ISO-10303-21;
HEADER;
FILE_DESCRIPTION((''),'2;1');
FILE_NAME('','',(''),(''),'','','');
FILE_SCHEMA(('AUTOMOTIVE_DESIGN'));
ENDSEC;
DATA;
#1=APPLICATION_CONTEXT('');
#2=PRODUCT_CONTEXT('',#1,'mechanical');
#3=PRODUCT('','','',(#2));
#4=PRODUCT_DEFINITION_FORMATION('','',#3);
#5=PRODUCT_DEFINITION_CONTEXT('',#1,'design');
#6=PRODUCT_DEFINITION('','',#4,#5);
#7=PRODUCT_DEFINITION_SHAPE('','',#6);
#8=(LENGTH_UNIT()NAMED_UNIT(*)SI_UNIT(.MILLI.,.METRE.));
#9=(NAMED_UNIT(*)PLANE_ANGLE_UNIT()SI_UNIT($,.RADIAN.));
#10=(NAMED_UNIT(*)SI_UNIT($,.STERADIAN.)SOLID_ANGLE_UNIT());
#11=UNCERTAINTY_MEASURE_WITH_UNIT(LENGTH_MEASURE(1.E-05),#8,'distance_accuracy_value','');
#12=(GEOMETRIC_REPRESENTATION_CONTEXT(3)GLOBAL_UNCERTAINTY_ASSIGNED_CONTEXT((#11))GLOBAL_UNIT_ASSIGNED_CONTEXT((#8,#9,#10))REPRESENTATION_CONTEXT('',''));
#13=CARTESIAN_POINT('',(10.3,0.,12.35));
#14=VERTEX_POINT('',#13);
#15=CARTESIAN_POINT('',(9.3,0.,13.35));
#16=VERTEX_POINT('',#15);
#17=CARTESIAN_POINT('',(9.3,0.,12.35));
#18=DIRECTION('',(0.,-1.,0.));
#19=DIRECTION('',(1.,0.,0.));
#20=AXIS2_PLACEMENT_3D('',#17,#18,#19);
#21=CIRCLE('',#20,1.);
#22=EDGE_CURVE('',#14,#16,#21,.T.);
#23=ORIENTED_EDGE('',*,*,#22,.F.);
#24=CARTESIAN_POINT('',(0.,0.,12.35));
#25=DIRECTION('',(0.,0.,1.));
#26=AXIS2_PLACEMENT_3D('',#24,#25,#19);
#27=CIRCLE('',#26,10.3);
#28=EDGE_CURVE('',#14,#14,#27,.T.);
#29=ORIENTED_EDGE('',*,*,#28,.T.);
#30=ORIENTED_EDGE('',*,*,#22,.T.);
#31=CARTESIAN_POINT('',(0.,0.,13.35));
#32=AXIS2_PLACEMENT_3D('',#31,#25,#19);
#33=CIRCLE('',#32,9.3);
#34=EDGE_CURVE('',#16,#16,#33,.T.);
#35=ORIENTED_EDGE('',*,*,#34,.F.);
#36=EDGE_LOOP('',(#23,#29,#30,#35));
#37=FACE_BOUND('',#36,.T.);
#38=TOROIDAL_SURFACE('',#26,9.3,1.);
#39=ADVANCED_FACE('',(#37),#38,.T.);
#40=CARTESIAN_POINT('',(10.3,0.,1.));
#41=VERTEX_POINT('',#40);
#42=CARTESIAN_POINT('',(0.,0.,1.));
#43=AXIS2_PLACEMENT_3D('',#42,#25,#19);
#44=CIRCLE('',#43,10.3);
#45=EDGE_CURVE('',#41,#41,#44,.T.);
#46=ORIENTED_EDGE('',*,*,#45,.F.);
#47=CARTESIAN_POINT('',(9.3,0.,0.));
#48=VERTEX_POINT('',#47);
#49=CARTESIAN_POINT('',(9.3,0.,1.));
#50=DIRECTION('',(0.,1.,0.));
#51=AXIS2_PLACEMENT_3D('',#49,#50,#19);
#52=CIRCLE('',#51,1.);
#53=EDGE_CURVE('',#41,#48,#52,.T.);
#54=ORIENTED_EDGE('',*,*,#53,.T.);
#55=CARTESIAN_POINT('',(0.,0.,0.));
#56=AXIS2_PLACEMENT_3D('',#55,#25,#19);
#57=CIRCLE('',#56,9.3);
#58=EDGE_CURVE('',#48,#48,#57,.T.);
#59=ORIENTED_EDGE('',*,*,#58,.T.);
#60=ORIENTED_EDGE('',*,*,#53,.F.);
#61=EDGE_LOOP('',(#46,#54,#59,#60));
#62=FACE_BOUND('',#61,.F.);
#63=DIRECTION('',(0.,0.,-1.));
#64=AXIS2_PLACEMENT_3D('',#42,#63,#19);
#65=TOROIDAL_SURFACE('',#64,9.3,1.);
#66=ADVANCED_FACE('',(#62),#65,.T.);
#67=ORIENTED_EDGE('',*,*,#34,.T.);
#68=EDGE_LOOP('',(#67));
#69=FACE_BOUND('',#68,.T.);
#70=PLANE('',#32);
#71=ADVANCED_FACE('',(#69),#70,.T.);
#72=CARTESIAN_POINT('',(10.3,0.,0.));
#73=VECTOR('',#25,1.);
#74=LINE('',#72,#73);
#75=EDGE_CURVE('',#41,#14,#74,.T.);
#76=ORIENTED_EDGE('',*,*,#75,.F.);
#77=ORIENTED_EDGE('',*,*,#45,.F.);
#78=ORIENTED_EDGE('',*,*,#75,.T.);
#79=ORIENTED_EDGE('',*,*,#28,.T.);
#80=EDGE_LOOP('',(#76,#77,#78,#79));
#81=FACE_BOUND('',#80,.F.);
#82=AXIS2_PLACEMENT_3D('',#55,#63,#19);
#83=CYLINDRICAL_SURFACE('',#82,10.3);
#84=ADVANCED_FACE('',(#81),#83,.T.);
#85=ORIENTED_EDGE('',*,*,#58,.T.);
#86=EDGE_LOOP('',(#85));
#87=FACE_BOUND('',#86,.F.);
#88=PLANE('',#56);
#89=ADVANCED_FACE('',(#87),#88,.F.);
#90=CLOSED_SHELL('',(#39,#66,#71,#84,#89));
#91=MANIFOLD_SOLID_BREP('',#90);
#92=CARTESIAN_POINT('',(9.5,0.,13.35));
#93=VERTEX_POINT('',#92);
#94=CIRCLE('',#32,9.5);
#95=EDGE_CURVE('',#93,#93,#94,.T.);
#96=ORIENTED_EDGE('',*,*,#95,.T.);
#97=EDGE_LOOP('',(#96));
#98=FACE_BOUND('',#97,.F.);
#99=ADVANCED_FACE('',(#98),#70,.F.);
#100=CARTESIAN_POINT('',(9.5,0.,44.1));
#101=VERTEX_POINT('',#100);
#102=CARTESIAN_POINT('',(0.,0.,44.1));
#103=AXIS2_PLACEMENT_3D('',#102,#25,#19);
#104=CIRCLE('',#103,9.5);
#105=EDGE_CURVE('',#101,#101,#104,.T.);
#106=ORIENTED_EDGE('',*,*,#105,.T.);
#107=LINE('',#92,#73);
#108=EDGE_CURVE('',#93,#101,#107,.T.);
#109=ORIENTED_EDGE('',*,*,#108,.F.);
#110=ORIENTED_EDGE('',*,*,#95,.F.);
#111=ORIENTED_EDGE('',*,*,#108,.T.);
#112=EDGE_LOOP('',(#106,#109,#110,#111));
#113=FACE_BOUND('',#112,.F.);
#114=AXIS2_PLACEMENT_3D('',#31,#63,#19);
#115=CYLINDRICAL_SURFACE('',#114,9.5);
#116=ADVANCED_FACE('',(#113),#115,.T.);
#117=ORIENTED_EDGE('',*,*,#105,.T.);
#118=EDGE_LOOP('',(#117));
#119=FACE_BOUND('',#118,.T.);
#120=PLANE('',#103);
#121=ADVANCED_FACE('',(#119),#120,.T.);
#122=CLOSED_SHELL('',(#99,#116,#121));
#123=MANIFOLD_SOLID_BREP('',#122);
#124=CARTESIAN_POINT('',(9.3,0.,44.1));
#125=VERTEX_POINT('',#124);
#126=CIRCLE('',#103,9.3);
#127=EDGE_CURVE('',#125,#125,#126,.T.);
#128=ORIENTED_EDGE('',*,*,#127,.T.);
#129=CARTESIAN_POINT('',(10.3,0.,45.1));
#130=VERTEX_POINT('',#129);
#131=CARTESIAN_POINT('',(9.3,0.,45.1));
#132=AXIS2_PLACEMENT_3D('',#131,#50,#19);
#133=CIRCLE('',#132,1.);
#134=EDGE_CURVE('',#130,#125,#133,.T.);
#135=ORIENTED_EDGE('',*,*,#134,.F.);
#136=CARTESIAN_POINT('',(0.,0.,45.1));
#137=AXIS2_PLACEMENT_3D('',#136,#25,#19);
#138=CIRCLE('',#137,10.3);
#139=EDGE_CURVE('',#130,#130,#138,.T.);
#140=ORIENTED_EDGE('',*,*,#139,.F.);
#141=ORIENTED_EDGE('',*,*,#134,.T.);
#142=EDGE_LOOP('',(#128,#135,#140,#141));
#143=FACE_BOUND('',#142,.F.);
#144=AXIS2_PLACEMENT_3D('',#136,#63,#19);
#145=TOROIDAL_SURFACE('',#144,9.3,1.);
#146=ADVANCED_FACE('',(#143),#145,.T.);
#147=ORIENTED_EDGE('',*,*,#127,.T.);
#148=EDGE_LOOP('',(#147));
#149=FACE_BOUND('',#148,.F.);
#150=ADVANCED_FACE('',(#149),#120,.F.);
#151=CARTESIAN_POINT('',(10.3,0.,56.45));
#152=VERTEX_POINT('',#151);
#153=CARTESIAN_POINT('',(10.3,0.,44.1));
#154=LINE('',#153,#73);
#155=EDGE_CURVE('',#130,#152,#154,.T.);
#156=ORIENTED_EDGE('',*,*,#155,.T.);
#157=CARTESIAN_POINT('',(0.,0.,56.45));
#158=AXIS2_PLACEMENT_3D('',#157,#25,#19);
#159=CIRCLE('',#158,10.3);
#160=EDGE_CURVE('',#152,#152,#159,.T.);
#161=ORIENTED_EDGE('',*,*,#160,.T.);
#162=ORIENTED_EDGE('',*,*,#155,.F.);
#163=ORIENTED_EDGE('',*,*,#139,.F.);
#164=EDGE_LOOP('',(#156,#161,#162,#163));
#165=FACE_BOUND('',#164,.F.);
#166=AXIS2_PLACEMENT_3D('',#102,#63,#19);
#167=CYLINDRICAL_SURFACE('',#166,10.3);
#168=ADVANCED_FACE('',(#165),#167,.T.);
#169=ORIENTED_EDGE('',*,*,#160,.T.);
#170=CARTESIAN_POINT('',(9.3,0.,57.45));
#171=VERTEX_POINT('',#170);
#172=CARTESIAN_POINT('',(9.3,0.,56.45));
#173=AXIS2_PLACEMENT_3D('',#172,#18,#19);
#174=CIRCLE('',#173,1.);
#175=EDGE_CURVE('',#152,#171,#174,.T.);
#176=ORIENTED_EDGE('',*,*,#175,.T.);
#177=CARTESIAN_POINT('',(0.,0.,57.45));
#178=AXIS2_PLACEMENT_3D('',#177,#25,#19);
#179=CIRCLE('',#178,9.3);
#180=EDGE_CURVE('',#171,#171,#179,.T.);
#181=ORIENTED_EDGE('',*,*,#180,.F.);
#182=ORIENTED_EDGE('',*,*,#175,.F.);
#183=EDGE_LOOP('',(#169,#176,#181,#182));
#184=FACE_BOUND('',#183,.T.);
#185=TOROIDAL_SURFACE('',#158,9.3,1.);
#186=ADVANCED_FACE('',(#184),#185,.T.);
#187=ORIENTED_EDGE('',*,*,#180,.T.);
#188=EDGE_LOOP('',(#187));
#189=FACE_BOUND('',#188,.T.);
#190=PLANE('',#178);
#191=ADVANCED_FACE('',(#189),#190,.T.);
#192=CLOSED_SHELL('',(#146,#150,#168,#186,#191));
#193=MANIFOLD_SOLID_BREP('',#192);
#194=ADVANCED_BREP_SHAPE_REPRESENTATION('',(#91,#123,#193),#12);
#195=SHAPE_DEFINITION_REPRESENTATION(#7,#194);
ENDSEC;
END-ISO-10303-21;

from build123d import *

# Parameters (mm, degrees)
F0_R     = 10.3
F1_DEPTH = 13.35
F2_R     = 9.5
F3_DEPTH = 30.75
F4_R     = 10.3
F5_DEPTH = 13.35
F6_R     = 1
F6_2_R   = 1


with BuildPart() as f1:
    # F0 (on Top) → F1 (new body)
    with BuildSketch(Plane.XY):
        Circle(F0_R)
    extrude(amount=F1_DEPTH)

    # F6#2
    f6_2_edges = [f1.edges().sort_by_distance(p)[0] for p in [
        (-10.3, 0, 0),
        (-10.3, 0, 13.35),
    ]]
    fillet(f6_2_edges, radius=F6_2_R)


with BuildPart() as f3:
    # F2 (on face) → F3 (new body)
    with BuildSketch(Plane.XY.offset(13.35)):
        Circle(F2_R)
    extrude(amount=F3_DEPTH)


with BuildPart() as f5:
    # F4 (on face) → F5 (new body)
    with BuildSketch(Plane.XY.offset(44.1)):
        Circle(F4_R)
    extrude(amount=F5_DEPTH)

    # F6
    f6_edges = [f5.edges().sort_by_distance(p)[0] for p in [
        (-10.3, 0, 57.45),
        (-10.3, 0, 44.1),
    ]]
    fillet(f6_edges, radius=F6_R)


solid = Compound([f1.part, f3.part, f5.part])
